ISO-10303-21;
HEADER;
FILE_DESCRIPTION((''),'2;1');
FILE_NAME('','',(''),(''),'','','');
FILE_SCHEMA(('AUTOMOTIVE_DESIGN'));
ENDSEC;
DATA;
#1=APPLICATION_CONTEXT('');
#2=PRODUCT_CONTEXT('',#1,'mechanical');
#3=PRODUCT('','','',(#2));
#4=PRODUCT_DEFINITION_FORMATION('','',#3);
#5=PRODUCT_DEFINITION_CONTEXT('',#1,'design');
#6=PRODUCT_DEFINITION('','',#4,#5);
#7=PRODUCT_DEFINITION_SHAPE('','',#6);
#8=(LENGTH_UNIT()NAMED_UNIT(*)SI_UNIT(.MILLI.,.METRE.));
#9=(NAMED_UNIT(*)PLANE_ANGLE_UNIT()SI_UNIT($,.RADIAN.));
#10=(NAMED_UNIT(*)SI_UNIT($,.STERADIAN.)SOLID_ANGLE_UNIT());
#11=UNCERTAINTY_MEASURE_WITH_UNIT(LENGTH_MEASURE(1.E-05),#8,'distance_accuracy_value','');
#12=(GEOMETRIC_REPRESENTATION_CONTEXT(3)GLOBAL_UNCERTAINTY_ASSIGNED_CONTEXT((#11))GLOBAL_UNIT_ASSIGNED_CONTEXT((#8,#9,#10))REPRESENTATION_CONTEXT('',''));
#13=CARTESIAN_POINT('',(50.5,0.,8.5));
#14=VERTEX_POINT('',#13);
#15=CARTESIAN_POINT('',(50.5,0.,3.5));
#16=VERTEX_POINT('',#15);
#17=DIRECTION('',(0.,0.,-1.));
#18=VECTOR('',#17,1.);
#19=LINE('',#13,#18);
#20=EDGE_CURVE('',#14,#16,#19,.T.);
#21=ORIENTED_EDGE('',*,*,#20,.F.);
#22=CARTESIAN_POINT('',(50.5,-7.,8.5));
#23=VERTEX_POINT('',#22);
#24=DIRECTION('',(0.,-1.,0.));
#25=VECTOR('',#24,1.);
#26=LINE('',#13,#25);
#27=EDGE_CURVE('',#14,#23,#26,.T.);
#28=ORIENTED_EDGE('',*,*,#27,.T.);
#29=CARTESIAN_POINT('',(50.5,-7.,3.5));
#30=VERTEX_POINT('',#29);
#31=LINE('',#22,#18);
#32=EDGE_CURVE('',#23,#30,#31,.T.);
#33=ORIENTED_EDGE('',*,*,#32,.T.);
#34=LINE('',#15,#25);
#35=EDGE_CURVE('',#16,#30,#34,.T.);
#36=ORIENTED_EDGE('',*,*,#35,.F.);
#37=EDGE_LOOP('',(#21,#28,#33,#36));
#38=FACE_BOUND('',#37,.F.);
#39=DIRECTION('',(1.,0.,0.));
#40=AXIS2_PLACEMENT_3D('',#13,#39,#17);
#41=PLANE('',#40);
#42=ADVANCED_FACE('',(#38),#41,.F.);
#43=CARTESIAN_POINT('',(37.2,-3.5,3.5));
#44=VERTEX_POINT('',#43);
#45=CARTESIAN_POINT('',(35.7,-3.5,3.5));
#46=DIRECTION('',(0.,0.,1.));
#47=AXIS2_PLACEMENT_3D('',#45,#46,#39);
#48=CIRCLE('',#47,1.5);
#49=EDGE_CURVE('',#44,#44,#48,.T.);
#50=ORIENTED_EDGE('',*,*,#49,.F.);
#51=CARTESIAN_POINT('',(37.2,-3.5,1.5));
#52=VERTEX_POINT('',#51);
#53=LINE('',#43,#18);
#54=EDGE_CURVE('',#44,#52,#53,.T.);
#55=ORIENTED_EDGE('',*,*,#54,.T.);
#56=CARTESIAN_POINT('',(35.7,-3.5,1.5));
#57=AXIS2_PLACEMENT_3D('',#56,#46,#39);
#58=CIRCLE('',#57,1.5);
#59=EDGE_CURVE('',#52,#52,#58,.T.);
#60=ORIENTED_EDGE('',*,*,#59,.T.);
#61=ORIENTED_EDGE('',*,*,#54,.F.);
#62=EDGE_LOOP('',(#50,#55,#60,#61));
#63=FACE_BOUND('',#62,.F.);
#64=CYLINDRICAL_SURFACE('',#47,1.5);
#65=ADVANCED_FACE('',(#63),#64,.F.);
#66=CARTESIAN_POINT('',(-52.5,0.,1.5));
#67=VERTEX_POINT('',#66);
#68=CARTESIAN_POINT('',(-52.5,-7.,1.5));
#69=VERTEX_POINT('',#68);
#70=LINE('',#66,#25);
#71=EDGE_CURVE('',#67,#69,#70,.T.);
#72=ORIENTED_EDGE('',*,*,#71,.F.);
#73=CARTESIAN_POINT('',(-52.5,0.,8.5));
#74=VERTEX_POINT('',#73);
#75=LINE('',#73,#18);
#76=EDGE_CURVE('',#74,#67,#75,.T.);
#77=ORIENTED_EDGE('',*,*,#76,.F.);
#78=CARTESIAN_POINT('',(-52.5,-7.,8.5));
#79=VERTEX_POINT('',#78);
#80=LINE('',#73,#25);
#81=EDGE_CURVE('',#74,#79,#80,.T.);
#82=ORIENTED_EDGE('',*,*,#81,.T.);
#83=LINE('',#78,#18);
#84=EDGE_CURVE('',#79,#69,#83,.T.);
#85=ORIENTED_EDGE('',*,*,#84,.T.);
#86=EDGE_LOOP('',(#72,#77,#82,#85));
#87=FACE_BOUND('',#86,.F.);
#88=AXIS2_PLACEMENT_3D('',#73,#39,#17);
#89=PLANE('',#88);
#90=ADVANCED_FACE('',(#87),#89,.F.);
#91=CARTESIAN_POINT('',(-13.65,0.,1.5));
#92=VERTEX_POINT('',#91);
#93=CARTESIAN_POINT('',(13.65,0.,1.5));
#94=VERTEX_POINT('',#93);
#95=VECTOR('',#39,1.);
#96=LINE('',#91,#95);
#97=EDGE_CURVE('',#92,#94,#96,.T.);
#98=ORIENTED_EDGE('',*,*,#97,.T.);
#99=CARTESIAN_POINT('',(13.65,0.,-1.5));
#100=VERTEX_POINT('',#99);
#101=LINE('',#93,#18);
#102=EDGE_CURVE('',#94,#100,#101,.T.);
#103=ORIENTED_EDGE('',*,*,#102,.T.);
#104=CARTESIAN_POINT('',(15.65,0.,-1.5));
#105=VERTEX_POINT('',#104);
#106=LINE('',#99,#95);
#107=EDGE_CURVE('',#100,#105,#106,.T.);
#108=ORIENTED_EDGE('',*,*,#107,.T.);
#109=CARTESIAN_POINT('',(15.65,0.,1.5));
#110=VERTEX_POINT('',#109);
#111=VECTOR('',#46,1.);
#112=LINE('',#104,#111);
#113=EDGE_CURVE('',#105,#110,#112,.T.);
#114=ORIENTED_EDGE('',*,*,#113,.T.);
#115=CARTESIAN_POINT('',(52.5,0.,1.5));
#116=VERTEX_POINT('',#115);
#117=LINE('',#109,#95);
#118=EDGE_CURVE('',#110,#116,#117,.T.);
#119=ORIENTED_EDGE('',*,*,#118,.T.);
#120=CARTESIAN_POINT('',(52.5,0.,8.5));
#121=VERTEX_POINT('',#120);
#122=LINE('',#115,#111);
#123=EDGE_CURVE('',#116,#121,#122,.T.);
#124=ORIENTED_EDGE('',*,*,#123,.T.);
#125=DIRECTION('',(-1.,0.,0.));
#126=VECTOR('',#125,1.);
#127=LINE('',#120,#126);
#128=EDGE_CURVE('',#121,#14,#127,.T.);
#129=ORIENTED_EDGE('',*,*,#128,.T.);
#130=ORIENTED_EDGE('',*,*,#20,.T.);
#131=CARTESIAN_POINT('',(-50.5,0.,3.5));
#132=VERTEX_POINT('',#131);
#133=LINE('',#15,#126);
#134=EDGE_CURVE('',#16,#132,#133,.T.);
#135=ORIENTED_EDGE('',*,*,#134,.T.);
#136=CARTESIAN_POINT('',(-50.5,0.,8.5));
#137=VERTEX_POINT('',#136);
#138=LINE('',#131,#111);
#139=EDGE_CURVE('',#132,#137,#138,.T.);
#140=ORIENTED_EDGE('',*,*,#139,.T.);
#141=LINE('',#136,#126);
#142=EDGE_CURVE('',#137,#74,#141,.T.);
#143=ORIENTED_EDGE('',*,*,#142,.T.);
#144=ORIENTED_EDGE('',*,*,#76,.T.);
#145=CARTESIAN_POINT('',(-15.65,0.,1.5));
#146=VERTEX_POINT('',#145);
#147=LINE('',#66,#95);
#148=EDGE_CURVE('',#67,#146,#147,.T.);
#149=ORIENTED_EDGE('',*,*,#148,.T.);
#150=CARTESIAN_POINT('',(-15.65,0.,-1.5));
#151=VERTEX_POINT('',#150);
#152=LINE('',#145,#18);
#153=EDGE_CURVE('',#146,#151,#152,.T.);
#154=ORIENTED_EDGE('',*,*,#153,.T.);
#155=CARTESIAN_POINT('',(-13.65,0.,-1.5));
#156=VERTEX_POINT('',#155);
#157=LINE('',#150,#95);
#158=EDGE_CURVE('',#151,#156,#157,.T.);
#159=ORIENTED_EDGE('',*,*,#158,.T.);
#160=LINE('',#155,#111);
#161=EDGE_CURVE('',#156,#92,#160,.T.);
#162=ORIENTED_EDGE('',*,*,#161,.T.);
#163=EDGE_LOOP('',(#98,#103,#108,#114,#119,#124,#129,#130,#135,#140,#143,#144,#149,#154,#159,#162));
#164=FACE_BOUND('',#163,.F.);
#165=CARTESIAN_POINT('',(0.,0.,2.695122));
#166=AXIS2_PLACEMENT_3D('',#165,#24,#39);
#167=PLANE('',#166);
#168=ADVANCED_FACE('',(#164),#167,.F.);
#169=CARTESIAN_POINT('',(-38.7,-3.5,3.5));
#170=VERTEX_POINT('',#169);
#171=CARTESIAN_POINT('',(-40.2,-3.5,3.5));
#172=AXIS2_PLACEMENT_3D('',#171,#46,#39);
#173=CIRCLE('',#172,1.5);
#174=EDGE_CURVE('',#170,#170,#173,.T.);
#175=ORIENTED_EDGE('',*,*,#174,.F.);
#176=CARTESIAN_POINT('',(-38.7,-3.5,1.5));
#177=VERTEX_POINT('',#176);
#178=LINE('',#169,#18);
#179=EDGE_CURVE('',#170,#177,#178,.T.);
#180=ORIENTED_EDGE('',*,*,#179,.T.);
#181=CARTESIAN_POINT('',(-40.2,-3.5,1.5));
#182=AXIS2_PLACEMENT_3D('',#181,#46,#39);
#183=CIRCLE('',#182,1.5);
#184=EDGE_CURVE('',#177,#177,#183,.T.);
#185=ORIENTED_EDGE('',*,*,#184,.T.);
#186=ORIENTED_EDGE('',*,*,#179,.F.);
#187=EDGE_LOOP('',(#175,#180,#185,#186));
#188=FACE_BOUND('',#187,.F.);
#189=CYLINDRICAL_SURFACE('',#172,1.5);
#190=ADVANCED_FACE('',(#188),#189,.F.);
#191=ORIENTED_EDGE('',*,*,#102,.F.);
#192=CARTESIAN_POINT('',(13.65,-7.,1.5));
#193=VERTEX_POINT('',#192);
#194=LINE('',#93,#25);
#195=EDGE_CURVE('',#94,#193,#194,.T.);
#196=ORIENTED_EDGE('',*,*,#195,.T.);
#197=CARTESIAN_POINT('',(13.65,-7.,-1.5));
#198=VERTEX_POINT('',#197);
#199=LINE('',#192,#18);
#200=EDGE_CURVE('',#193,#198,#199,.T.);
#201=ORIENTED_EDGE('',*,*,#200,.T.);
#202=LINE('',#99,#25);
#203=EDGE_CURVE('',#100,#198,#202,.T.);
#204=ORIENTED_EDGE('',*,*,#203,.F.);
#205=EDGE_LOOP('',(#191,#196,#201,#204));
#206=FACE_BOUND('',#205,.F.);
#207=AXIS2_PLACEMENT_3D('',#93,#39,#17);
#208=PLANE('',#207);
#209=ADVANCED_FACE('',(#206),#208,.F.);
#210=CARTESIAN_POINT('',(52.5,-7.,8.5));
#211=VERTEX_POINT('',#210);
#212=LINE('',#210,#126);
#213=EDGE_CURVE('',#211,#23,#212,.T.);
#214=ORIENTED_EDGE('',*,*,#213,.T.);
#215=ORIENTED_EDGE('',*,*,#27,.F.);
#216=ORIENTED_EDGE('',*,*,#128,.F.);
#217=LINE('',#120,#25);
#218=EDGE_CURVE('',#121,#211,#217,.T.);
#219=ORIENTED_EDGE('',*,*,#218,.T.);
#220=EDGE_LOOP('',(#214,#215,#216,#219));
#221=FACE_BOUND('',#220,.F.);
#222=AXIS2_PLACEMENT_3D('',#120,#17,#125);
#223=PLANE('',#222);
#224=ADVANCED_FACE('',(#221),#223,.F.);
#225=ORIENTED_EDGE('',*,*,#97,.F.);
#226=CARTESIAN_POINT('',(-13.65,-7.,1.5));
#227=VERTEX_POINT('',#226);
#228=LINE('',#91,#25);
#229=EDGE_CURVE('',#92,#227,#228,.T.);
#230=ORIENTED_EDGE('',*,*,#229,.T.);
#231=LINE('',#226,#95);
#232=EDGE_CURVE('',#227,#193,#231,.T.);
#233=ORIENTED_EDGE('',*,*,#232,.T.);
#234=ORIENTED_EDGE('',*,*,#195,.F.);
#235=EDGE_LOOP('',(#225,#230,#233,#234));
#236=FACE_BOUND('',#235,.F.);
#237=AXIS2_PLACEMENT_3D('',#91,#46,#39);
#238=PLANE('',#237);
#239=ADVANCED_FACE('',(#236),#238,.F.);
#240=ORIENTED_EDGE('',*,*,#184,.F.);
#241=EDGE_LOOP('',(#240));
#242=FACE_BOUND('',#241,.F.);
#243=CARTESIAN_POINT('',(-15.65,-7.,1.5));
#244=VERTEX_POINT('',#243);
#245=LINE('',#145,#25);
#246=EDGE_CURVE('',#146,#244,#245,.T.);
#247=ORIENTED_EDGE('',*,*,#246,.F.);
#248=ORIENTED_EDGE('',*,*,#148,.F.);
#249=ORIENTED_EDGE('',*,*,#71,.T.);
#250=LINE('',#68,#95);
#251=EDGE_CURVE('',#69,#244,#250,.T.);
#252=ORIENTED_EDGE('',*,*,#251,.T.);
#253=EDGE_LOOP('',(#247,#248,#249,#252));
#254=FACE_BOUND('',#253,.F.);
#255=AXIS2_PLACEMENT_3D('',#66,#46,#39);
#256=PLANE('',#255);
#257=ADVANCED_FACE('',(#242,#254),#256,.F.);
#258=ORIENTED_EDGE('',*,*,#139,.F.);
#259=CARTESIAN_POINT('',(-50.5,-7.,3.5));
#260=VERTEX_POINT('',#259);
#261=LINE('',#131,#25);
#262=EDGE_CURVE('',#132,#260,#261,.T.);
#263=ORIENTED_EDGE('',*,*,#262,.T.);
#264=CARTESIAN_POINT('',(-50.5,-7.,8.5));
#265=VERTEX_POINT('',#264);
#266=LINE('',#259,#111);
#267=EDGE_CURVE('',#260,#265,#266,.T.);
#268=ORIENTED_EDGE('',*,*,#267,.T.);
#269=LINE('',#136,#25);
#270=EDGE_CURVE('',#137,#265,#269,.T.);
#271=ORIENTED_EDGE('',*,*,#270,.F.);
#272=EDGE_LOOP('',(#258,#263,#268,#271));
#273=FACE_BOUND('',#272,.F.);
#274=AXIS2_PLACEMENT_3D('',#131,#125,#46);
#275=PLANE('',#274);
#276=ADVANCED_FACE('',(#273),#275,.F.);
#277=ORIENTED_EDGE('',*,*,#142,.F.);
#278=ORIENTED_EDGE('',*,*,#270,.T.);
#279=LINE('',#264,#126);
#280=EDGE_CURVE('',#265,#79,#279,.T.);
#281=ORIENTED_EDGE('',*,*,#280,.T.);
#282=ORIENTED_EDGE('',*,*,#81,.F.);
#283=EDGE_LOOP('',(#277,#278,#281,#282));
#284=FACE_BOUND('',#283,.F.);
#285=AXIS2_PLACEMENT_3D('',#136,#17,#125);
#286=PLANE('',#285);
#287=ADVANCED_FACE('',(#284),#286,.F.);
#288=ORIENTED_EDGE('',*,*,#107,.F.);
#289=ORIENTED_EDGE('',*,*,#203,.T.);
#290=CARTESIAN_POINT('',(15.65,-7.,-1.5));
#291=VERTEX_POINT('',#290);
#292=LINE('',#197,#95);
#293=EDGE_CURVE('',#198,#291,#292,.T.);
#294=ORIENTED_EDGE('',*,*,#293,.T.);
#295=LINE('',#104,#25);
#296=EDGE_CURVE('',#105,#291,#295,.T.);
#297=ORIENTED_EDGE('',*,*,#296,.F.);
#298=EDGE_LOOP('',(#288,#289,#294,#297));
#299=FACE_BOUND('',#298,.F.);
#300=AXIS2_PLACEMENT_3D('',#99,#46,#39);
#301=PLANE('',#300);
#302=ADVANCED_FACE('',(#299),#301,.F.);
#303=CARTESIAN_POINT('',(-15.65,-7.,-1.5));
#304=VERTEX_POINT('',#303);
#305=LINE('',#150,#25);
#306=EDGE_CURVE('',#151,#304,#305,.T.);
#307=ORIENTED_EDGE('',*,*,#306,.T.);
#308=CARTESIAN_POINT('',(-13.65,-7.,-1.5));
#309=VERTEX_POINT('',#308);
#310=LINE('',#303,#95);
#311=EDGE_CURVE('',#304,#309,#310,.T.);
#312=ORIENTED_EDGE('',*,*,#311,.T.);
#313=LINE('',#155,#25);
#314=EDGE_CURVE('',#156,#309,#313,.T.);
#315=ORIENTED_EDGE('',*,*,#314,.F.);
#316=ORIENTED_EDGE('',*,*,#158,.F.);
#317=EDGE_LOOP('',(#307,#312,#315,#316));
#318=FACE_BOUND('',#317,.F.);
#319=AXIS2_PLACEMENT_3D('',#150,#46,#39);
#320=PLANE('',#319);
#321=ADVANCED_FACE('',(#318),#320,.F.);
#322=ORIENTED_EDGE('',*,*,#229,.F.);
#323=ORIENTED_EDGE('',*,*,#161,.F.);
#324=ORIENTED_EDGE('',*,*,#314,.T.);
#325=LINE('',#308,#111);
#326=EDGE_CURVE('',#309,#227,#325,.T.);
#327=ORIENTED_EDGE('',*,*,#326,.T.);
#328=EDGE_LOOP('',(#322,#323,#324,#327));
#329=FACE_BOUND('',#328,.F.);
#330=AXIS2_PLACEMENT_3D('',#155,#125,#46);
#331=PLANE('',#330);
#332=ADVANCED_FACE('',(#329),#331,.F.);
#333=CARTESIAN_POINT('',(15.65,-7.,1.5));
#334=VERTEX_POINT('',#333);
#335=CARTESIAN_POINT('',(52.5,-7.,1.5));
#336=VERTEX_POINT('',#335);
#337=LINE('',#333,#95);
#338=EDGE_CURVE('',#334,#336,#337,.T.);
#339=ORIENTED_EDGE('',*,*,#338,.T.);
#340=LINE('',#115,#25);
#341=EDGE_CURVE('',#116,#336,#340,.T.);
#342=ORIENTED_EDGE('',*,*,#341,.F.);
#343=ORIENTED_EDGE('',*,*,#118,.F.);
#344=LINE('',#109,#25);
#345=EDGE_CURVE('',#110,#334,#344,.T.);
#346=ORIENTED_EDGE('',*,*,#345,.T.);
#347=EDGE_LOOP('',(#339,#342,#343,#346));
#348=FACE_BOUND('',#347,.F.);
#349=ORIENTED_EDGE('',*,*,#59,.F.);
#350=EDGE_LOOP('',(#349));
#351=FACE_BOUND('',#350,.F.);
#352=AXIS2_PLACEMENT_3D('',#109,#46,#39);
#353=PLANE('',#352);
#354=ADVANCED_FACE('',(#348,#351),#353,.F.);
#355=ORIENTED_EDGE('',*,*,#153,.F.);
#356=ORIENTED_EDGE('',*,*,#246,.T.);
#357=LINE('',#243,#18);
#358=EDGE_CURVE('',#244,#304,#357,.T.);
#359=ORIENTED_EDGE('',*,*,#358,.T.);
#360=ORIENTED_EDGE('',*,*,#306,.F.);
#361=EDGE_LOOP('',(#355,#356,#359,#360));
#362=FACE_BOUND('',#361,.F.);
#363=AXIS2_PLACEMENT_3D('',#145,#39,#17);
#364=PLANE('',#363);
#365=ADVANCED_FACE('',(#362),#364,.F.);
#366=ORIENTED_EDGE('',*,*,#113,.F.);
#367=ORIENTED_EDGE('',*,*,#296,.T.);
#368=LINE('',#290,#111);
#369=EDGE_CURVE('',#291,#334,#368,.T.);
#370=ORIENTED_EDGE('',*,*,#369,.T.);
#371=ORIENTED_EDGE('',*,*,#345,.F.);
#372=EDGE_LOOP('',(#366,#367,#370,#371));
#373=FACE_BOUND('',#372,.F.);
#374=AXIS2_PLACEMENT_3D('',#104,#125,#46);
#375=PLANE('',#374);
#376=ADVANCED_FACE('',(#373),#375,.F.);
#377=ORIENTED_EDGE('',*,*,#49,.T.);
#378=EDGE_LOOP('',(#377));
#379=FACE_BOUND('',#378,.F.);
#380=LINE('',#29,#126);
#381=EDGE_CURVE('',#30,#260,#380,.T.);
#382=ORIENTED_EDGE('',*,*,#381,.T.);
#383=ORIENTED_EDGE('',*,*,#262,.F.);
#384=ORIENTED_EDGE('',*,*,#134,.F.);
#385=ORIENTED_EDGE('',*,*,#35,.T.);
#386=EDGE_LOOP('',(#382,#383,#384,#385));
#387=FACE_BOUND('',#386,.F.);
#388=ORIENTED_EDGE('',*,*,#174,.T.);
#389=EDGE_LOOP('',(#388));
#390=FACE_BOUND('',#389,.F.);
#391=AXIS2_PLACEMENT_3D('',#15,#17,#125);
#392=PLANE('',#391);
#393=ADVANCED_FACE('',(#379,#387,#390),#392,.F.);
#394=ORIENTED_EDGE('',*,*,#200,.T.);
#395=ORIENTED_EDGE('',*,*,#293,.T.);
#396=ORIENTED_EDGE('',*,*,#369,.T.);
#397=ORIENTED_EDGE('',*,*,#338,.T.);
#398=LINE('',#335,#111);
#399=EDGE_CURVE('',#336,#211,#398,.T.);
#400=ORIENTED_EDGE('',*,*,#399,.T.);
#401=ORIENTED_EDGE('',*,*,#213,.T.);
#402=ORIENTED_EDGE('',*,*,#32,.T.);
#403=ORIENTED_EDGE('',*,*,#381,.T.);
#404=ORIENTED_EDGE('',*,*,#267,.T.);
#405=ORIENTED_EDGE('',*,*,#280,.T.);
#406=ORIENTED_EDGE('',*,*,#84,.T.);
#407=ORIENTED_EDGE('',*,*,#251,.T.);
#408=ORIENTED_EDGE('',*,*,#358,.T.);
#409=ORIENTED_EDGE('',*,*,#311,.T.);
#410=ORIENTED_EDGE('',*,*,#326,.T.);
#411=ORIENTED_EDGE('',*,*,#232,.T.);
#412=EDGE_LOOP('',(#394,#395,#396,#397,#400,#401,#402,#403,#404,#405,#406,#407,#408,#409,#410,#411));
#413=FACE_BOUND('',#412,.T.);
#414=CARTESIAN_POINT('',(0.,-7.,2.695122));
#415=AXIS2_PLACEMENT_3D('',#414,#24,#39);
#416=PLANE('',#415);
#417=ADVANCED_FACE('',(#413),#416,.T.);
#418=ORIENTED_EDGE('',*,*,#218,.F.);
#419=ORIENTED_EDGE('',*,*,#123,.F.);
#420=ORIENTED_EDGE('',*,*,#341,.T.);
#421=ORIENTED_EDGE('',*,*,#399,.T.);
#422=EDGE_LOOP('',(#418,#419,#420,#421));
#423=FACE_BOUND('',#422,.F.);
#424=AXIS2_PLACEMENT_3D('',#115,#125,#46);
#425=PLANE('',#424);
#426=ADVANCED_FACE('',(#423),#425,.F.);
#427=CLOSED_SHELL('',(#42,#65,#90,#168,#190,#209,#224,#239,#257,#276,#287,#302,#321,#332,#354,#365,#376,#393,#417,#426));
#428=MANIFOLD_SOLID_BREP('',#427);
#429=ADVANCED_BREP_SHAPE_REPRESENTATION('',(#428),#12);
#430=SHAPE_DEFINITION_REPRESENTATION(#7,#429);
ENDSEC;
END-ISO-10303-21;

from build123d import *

# Parameters (mm, degrees)
F1_DEPTH = 7
F2_R     = 1.5
F3_DEPTH = 5.001


with BuildPart() as f1:
    # F0 (on Front) → F1 (new body)
    with BuildSketch(Plane.XZ):
        Polygon((50.5, 8.5), (50.5, 3.5), (-50.5, 3.5), (-50.5, 8.5), (-52.5, 8.5), (-52.5, 1.5), (-50.5, 1.5), (-15.65, 1.5), (-15.65, -1.5), (-13.65, -1.5), (-13.65, 1.5), (13.65, 1.5), (13.65, -1.5), (15.65, -1.5), (15.65, 1.5), (50.5, 1.5), (52.5, 1.5), (52.5, 8.5), align=None)
    extrude(amount=F1_DEPTH)

    # F2 (on face) → F3 (cut, through all)
    with BuildSketch(Plane.XY.offset(3.5)):
        with Locations((-40.2, -3.5)):
            Circle(F2_R)
        with Locations((35.7, -3.5)):
            Circle(F2_R)
    extrude(amount=-F3_DEPTH, mode=Mode.SUBTRACT)


solid = f1.part
